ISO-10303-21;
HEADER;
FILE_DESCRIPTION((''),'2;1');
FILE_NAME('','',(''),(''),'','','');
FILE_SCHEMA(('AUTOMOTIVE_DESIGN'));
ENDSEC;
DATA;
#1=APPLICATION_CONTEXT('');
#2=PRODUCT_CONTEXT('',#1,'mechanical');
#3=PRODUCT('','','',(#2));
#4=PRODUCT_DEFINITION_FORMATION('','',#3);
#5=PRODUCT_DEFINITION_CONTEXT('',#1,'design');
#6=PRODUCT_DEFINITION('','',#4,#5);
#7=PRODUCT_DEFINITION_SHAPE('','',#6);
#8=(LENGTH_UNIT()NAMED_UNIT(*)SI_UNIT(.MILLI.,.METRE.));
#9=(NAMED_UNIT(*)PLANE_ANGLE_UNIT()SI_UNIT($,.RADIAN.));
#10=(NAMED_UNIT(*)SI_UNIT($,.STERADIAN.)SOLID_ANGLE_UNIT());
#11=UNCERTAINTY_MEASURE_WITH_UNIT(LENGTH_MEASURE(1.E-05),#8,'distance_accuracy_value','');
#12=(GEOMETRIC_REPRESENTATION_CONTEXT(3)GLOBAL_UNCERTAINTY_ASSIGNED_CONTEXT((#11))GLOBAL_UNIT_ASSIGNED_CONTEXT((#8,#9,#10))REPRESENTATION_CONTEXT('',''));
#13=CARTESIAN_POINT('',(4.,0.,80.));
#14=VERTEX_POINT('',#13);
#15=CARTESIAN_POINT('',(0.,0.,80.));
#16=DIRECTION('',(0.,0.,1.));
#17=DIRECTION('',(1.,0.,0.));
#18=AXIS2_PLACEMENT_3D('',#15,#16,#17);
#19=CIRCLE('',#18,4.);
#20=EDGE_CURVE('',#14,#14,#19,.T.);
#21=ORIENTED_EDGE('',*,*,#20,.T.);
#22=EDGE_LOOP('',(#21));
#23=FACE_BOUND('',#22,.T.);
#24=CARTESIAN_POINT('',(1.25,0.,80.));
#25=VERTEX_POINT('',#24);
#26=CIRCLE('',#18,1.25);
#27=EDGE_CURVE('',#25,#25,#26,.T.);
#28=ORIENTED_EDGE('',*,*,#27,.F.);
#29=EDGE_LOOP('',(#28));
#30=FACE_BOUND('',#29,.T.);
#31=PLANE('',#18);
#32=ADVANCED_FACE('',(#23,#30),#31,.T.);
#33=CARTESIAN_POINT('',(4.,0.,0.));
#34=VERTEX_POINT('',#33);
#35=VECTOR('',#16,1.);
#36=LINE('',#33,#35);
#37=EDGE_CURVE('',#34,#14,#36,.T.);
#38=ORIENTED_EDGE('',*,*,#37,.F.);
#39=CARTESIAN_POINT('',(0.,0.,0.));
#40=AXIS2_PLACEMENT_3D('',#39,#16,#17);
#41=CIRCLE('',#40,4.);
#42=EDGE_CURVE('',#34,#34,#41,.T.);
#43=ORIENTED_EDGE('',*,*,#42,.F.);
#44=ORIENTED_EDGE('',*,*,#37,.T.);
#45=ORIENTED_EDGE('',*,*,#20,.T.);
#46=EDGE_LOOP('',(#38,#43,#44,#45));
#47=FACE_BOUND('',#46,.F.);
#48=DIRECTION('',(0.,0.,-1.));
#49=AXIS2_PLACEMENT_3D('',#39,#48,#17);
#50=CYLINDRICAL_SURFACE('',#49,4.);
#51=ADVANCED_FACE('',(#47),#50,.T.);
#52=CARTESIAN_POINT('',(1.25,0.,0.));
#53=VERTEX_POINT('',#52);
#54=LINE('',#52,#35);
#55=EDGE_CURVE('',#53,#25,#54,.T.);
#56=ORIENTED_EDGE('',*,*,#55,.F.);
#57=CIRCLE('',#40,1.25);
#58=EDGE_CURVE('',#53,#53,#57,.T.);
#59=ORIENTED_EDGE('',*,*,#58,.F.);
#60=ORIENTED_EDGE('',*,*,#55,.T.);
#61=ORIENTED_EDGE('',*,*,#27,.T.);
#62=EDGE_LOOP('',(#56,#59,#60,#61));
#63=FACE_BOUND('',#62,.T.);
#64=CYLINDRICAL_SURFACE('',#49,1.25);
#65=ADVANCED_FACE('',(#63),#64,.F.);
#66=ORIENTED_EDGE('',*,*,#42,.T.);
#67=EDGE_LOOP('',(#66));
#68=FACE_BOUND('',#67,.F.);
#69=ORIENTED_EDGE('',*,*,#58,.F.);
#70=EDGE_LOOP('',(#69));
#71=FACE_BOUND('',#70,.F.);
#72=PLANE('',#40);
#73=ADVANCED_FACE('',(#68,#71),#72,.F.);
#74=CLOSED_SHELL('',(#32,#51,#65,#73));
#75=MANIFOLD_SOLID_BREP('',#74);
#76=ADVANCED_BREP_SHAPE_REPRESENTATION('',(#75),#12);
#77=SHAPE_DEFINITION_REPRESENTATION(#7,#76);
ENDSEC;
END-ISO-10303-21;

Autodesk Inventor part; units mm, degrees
ref_plane "YZ Plane" through (0, 0, 0) normal (1, 0, 0) x (0, 1, 0)
ref_plane "XZ Plane" through (0, 0, 0) normal (0, 1, 0) x (-1, 0, 0)
ref_plane "XY Plane" through (0, 0, 0) normal (0, 0, 1) x (1, 0, 0)
sketch "スケッチ1" plane through (0, 0, 0) normal (0, 0, 1) x (1, 0, 0)
  circle A0 centre (0, 0) radius 4
  circle A1 centre (0, 0) radius 1.25
  dimension "d0" = 8
  dimension "d1" = 2.5
extrude "押し出し1" add sketch "スケッチ1" along normal blind 80
properties part number "軸8-80" material "アルミニウム 6061"
